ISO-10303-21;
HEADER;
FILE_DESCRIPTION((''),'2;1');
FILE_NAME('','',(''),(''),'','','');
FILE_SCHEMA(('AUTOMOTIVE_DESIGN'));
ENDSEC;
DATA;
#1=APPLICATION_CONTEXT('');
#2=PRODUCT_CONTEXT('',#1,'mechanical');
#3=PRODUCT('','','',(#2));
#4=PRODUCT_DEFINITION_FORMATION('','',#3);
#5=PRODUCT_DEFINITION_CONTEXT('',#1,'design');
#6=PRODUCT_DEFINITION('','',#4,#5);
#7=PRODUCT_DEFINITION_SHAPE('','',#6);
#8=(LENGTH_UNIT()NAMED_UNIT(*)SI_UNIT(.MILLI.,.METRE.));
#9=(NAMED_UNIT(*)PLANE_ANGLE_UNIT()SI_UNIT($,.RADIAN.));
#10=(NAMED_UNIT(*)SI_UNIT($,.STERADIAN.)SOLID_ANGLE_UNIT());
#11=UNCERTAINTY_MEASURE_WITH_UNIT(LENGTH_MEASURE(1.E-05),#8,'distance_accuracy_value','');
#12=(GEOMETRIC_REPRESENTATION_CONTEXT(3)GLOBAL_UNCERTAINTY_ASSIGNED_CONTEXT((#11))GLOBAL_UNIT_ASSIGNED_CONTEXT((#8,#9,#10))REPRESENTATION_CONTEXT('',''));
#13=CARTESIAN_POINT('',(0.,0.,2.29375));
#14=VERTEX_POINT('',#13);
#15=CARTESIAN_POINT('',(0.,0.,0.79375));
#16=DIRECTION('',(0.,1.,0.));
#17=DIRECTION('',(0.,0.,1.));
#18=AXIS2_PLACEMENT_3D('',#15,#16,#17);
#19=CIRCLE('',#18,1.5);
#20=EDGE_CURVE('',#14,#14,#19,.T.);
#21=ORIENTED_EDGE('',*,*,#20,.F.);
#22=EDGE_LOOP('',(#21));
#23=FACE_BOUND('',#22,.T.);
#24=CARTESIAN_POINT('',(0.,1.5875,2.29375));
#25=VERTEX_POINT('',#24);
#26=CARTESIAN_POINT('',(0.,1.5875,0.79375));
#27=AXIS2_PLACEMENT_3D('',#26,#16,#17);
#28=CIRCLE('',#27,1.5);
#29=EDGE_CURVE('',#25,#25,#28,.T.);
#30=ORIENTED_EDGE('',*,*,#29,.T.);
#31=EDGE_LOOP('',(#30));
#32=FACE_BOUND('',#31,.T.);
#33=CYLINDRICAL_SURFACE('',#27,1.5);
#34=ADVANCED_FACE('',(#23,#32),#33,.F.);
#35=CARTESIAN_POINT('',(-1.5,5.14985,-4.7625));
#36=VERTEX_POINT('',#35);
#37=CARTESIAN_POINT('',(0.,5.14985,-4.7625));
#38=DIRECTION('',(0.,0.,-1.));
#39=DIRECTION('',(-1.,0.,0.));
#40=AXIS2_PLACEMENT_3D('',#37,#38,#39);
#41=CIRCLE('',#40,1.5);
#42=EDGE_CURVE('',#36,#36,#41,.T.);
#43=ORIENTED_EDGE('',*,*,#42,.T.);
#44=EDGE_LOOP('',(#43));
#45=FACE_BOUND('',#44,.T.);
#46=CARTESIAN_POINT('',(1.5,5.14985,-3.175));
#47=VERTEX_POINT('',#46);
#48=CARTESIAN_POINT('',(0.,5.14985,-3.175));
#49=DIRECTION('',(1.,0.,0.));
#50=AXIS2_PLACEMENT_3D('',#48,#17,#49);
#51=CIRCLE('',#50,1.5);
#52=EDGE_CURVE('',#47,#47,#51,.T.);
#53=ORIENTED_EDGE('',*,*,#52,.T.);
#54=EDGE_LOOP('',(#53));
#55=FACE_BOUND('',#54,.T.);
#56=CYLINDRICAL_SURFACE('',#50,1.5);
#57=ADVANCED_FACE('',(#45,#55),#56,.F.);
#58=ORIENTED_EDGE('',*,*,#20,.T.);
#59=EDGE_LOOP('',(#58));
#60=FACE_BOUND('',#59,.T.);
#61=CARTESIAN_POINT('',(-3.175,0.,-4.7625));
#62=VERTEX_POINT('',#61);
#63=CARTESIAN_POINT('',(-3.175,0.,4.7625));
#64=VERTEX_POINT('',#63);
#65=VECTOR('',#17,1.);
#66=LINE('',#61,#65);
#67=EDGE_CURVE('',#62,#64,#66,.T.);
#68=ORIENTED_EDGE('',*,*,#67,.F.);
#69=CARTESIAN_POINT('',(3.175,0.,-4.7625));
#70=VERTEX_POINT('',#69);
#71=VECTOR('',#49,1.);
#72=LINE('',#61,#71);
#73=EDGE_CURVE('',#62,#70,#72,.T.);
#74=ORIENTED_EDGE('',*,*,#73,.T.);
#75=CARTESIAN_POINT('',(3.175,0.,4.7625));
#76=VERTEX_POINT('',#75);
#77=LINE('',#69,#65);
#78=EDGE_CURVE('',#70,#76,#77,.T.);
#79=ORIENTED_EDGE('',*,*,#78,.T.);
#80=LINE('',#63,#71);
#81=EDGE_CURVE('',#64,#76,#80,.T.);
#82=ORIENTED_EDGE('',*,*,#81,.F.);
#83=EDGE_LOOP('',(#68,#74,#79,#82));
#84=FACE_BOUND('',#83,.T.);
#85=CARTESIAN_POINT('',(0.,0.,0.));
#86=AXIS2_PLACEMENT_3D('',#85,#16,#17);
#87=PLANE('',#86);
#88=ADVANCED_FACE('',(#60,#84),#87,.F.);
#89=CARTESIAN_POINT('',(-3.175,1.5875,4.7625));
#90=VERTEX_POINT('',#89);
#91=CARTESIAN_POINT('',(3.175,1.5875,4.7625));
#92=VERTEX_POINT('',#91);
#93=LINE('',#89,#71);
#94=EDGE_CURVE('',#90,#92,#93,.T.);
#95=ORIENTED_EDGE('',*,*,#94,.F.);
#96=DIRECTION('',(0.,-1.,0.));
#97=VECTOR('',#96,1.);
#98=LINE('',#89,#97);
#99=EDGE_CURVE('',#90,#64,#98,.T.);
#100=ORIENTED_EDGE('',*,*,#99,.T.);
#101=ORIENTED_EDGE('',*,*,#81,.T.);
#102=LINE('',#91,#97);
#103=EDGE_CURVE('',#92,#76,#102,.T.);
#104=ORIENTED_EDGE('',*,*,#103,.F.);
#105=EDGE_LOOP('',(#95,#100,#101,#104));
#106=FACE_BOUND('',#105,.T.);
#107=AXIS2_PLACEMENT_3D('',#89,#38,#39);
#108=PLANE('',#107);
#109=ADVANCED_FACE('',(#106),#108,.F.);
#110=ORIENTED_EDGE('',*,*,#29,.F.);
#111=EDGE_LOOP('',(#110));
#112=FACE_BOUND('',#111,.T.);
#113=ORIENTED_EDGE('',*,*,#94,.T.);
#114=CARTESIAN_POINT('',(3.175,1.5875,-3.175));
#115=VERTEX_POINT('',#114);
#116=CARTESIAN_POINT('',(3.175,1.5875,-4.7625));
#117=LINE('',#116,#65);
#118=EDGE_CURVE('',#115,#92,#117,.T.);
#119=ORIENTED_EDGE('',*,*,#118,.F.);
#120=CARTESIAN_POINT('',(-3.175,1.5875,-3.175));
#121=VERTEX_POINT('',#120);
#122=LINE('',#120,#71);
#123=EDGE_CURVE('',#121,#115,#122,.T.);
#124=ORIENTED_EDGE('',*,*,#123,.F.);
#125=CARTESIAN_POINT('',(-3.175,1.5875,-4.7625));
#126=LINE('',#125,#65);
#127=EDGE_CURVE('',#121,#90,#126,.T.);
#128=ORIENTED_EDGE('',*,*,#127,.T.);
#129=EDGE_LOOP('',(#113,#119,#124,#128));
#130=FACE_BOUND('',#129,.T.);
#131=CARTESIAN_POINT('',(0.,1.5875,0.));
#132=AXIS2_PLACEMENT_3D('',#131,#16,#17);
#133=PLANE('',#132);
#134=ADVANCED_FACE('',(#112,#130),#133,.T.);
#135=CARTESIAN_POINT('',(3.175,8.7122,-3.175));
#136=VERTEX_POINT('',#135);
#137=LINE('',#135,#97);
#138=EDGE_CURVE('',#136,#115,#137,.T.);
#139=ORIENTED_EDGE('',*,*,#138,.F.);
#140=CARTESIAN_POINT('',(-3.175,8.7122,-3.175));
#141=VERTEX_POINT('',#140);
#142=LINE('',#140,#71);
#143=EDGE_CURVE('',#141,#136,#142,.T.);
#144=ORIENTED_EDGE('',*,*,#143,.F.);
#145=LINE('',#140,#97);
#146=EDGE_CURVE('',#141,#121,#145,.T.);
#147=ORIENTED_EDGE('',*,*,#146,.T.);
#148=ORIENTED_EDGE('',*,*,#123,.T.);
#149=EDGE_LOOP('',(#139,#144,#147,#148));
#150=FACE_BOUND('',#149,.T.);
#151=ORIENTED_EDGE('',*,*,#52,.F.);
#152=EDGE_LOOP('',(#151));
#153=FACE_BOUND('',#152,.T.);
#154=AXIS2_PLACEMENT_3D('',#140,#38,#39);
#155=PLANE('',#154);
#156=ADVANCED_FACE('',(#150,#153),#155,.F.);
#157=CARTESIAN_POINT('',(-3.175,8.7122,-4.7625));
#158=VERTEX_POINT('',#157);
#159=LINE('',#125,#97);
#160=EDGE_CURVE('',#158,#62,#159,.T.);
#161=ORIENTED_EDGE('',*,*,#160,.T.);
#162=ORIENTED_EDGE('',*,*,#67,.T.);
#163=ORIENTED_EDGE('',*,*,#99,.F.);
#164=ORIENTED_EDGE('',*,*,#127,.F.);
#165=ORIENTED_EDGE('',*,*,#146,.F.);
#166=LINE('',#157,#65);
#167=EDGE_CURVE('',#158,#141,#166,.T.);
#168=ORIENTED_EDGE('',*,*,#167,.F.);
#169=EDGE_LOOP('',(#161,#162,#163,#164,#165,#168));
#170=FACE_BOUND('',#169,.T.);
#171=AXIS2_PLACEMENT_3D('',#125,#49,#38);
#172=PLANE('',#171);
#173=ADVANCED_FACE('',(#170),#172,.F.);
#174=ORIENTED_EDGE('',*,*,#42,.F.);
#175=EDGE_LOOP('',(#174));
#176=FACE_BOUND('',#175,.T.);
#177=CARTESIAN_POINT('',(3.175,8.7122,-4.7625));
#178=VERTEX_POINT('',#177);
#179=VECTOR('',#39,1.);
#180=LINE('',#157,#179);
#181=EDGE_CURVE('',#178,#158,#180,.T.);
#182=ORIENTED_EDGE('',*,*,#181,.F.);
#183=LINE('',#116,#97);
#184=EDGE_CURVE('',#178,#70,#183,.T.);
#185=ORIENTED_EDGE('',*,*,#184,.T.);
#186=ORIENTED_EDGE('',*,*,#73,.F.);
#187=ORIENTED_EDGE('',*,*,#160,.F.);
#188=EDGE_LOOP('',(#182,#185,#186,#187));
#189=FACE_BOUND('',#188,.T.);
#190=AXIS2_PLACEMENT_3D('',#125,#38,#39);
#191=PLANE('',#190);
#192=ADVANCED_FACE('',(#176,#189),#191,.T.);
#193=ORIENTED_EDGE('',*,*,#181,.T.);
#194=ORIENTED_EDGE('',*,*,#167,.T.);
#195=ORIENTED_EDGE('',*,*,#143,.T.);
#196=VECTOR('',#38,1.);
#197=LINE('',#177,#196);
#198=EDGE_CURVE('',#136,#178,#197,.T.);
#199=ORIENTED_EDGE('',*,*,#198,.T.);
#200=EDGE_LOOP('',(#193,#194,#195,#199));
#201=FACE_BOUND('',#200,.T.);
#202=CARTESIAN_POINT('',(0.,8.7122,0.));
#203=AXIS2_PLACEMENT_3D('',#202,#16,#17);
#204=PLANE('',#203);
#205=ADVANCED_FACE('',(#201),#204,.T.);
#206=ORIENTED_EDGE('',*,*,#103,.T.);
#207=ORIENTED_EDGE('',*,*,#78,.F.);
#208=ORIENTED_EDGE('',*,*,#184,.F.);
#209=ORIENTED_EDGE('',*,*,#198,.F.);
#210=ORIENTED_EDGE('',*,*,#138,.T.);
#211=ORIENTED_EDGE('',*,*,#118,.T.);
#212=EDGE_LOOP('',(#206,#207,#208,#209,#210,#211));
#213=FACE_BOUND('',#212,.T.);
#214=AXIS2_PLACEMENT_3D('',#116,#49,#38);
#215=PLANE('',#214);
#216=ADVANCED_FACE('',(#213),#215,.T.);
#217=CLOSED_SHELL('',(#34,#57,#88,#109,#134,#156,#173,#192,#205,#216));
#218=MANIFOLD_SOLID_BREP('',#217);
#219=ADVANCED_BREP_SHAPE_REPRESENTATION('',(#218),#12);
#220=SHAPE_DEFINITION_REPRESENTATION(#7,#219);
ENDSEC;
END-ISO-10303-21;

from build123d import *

# Parameters (mm, degrees)
SKETCH1_W                 = 6.35
SKETCH1_H                 = 9.525
BOSS_EXTRUDE1_DEPTH       = 1.5875
SKETCH2_W                 = 6.35
SKETCH2_H                 = 1.5875
BOSS_EXTRUDE2_DEPTH       = 7.1247
F_3_0MM_DOWEL_HOLE1_D     = 3
F_3_0MM_DOWEL_HOLE2_D     = 3
F_3_0MM_DOWEL_HOLE2_DEPTH = 6.35
F_3_0MM_DOWEL_HOLE2_TIP   = 0.901290929


with BuildPart() as part:
    # Sketch1 → Boss-Extrude1 (new body)
    with BuildSketch(Plane(origin=(0, 0, 0), x_dir=(1, 0, 0), z_dir=(0, 1, 0))):
        Rectangle(SKETCH1_W, SKETCH1_H)
    extrude(amount=BOSS_EXTRUDE1_DEPTH)

    # Sketch2 → Boss-Extrude2 (add)
    with BuildSketch(Plane(origin=(0, 1.5875, 0), x_dir=(1, 0, 0), z_dir=(0, 1, 0))):
        with Locations((0, 3.96875)):
            Rectangle(SKETCH2_W, SKETCH2_H)
    extrude(amount=BOSS_EXTRUDE2_DEPTH)

    # Ø3.0mm Dowel Hole1 (through all)
    with Locations(Plane(origin=(0, 1.5875, 0), x_dir=(1, 0, 0), z_dir=(0, 1, 0))):
        with Locations((0, -0.79375)):
            Hole(F_3_0MM_DOWEL_HOLE1_D / 2)

    # Ø3.0mm Dowel Hole2
    with Locations(Plane.XY.offset(-3.175)):
        with Locations((0, 5.14985)):
            Hole(F_3_0MM_DOWEL_HOLE2_D / 2, depth=F_3_0MM_DOWEL_HOLE2_DEPTH)
            with Locations((0, 0, -(F_3_0MM_DOWEL_HOLE2_DEPTH + F_3_0MM_DOWEL_HOLE2_TIP / 2))):  # 118° drill point
                Cone(0, F_3_0MM_DOWEL_HOLE2_D / 2, F_3_0MM_DOWEL_HOLE2_TIP, mode=Mode.SUBTRACT)


solid = part.part
